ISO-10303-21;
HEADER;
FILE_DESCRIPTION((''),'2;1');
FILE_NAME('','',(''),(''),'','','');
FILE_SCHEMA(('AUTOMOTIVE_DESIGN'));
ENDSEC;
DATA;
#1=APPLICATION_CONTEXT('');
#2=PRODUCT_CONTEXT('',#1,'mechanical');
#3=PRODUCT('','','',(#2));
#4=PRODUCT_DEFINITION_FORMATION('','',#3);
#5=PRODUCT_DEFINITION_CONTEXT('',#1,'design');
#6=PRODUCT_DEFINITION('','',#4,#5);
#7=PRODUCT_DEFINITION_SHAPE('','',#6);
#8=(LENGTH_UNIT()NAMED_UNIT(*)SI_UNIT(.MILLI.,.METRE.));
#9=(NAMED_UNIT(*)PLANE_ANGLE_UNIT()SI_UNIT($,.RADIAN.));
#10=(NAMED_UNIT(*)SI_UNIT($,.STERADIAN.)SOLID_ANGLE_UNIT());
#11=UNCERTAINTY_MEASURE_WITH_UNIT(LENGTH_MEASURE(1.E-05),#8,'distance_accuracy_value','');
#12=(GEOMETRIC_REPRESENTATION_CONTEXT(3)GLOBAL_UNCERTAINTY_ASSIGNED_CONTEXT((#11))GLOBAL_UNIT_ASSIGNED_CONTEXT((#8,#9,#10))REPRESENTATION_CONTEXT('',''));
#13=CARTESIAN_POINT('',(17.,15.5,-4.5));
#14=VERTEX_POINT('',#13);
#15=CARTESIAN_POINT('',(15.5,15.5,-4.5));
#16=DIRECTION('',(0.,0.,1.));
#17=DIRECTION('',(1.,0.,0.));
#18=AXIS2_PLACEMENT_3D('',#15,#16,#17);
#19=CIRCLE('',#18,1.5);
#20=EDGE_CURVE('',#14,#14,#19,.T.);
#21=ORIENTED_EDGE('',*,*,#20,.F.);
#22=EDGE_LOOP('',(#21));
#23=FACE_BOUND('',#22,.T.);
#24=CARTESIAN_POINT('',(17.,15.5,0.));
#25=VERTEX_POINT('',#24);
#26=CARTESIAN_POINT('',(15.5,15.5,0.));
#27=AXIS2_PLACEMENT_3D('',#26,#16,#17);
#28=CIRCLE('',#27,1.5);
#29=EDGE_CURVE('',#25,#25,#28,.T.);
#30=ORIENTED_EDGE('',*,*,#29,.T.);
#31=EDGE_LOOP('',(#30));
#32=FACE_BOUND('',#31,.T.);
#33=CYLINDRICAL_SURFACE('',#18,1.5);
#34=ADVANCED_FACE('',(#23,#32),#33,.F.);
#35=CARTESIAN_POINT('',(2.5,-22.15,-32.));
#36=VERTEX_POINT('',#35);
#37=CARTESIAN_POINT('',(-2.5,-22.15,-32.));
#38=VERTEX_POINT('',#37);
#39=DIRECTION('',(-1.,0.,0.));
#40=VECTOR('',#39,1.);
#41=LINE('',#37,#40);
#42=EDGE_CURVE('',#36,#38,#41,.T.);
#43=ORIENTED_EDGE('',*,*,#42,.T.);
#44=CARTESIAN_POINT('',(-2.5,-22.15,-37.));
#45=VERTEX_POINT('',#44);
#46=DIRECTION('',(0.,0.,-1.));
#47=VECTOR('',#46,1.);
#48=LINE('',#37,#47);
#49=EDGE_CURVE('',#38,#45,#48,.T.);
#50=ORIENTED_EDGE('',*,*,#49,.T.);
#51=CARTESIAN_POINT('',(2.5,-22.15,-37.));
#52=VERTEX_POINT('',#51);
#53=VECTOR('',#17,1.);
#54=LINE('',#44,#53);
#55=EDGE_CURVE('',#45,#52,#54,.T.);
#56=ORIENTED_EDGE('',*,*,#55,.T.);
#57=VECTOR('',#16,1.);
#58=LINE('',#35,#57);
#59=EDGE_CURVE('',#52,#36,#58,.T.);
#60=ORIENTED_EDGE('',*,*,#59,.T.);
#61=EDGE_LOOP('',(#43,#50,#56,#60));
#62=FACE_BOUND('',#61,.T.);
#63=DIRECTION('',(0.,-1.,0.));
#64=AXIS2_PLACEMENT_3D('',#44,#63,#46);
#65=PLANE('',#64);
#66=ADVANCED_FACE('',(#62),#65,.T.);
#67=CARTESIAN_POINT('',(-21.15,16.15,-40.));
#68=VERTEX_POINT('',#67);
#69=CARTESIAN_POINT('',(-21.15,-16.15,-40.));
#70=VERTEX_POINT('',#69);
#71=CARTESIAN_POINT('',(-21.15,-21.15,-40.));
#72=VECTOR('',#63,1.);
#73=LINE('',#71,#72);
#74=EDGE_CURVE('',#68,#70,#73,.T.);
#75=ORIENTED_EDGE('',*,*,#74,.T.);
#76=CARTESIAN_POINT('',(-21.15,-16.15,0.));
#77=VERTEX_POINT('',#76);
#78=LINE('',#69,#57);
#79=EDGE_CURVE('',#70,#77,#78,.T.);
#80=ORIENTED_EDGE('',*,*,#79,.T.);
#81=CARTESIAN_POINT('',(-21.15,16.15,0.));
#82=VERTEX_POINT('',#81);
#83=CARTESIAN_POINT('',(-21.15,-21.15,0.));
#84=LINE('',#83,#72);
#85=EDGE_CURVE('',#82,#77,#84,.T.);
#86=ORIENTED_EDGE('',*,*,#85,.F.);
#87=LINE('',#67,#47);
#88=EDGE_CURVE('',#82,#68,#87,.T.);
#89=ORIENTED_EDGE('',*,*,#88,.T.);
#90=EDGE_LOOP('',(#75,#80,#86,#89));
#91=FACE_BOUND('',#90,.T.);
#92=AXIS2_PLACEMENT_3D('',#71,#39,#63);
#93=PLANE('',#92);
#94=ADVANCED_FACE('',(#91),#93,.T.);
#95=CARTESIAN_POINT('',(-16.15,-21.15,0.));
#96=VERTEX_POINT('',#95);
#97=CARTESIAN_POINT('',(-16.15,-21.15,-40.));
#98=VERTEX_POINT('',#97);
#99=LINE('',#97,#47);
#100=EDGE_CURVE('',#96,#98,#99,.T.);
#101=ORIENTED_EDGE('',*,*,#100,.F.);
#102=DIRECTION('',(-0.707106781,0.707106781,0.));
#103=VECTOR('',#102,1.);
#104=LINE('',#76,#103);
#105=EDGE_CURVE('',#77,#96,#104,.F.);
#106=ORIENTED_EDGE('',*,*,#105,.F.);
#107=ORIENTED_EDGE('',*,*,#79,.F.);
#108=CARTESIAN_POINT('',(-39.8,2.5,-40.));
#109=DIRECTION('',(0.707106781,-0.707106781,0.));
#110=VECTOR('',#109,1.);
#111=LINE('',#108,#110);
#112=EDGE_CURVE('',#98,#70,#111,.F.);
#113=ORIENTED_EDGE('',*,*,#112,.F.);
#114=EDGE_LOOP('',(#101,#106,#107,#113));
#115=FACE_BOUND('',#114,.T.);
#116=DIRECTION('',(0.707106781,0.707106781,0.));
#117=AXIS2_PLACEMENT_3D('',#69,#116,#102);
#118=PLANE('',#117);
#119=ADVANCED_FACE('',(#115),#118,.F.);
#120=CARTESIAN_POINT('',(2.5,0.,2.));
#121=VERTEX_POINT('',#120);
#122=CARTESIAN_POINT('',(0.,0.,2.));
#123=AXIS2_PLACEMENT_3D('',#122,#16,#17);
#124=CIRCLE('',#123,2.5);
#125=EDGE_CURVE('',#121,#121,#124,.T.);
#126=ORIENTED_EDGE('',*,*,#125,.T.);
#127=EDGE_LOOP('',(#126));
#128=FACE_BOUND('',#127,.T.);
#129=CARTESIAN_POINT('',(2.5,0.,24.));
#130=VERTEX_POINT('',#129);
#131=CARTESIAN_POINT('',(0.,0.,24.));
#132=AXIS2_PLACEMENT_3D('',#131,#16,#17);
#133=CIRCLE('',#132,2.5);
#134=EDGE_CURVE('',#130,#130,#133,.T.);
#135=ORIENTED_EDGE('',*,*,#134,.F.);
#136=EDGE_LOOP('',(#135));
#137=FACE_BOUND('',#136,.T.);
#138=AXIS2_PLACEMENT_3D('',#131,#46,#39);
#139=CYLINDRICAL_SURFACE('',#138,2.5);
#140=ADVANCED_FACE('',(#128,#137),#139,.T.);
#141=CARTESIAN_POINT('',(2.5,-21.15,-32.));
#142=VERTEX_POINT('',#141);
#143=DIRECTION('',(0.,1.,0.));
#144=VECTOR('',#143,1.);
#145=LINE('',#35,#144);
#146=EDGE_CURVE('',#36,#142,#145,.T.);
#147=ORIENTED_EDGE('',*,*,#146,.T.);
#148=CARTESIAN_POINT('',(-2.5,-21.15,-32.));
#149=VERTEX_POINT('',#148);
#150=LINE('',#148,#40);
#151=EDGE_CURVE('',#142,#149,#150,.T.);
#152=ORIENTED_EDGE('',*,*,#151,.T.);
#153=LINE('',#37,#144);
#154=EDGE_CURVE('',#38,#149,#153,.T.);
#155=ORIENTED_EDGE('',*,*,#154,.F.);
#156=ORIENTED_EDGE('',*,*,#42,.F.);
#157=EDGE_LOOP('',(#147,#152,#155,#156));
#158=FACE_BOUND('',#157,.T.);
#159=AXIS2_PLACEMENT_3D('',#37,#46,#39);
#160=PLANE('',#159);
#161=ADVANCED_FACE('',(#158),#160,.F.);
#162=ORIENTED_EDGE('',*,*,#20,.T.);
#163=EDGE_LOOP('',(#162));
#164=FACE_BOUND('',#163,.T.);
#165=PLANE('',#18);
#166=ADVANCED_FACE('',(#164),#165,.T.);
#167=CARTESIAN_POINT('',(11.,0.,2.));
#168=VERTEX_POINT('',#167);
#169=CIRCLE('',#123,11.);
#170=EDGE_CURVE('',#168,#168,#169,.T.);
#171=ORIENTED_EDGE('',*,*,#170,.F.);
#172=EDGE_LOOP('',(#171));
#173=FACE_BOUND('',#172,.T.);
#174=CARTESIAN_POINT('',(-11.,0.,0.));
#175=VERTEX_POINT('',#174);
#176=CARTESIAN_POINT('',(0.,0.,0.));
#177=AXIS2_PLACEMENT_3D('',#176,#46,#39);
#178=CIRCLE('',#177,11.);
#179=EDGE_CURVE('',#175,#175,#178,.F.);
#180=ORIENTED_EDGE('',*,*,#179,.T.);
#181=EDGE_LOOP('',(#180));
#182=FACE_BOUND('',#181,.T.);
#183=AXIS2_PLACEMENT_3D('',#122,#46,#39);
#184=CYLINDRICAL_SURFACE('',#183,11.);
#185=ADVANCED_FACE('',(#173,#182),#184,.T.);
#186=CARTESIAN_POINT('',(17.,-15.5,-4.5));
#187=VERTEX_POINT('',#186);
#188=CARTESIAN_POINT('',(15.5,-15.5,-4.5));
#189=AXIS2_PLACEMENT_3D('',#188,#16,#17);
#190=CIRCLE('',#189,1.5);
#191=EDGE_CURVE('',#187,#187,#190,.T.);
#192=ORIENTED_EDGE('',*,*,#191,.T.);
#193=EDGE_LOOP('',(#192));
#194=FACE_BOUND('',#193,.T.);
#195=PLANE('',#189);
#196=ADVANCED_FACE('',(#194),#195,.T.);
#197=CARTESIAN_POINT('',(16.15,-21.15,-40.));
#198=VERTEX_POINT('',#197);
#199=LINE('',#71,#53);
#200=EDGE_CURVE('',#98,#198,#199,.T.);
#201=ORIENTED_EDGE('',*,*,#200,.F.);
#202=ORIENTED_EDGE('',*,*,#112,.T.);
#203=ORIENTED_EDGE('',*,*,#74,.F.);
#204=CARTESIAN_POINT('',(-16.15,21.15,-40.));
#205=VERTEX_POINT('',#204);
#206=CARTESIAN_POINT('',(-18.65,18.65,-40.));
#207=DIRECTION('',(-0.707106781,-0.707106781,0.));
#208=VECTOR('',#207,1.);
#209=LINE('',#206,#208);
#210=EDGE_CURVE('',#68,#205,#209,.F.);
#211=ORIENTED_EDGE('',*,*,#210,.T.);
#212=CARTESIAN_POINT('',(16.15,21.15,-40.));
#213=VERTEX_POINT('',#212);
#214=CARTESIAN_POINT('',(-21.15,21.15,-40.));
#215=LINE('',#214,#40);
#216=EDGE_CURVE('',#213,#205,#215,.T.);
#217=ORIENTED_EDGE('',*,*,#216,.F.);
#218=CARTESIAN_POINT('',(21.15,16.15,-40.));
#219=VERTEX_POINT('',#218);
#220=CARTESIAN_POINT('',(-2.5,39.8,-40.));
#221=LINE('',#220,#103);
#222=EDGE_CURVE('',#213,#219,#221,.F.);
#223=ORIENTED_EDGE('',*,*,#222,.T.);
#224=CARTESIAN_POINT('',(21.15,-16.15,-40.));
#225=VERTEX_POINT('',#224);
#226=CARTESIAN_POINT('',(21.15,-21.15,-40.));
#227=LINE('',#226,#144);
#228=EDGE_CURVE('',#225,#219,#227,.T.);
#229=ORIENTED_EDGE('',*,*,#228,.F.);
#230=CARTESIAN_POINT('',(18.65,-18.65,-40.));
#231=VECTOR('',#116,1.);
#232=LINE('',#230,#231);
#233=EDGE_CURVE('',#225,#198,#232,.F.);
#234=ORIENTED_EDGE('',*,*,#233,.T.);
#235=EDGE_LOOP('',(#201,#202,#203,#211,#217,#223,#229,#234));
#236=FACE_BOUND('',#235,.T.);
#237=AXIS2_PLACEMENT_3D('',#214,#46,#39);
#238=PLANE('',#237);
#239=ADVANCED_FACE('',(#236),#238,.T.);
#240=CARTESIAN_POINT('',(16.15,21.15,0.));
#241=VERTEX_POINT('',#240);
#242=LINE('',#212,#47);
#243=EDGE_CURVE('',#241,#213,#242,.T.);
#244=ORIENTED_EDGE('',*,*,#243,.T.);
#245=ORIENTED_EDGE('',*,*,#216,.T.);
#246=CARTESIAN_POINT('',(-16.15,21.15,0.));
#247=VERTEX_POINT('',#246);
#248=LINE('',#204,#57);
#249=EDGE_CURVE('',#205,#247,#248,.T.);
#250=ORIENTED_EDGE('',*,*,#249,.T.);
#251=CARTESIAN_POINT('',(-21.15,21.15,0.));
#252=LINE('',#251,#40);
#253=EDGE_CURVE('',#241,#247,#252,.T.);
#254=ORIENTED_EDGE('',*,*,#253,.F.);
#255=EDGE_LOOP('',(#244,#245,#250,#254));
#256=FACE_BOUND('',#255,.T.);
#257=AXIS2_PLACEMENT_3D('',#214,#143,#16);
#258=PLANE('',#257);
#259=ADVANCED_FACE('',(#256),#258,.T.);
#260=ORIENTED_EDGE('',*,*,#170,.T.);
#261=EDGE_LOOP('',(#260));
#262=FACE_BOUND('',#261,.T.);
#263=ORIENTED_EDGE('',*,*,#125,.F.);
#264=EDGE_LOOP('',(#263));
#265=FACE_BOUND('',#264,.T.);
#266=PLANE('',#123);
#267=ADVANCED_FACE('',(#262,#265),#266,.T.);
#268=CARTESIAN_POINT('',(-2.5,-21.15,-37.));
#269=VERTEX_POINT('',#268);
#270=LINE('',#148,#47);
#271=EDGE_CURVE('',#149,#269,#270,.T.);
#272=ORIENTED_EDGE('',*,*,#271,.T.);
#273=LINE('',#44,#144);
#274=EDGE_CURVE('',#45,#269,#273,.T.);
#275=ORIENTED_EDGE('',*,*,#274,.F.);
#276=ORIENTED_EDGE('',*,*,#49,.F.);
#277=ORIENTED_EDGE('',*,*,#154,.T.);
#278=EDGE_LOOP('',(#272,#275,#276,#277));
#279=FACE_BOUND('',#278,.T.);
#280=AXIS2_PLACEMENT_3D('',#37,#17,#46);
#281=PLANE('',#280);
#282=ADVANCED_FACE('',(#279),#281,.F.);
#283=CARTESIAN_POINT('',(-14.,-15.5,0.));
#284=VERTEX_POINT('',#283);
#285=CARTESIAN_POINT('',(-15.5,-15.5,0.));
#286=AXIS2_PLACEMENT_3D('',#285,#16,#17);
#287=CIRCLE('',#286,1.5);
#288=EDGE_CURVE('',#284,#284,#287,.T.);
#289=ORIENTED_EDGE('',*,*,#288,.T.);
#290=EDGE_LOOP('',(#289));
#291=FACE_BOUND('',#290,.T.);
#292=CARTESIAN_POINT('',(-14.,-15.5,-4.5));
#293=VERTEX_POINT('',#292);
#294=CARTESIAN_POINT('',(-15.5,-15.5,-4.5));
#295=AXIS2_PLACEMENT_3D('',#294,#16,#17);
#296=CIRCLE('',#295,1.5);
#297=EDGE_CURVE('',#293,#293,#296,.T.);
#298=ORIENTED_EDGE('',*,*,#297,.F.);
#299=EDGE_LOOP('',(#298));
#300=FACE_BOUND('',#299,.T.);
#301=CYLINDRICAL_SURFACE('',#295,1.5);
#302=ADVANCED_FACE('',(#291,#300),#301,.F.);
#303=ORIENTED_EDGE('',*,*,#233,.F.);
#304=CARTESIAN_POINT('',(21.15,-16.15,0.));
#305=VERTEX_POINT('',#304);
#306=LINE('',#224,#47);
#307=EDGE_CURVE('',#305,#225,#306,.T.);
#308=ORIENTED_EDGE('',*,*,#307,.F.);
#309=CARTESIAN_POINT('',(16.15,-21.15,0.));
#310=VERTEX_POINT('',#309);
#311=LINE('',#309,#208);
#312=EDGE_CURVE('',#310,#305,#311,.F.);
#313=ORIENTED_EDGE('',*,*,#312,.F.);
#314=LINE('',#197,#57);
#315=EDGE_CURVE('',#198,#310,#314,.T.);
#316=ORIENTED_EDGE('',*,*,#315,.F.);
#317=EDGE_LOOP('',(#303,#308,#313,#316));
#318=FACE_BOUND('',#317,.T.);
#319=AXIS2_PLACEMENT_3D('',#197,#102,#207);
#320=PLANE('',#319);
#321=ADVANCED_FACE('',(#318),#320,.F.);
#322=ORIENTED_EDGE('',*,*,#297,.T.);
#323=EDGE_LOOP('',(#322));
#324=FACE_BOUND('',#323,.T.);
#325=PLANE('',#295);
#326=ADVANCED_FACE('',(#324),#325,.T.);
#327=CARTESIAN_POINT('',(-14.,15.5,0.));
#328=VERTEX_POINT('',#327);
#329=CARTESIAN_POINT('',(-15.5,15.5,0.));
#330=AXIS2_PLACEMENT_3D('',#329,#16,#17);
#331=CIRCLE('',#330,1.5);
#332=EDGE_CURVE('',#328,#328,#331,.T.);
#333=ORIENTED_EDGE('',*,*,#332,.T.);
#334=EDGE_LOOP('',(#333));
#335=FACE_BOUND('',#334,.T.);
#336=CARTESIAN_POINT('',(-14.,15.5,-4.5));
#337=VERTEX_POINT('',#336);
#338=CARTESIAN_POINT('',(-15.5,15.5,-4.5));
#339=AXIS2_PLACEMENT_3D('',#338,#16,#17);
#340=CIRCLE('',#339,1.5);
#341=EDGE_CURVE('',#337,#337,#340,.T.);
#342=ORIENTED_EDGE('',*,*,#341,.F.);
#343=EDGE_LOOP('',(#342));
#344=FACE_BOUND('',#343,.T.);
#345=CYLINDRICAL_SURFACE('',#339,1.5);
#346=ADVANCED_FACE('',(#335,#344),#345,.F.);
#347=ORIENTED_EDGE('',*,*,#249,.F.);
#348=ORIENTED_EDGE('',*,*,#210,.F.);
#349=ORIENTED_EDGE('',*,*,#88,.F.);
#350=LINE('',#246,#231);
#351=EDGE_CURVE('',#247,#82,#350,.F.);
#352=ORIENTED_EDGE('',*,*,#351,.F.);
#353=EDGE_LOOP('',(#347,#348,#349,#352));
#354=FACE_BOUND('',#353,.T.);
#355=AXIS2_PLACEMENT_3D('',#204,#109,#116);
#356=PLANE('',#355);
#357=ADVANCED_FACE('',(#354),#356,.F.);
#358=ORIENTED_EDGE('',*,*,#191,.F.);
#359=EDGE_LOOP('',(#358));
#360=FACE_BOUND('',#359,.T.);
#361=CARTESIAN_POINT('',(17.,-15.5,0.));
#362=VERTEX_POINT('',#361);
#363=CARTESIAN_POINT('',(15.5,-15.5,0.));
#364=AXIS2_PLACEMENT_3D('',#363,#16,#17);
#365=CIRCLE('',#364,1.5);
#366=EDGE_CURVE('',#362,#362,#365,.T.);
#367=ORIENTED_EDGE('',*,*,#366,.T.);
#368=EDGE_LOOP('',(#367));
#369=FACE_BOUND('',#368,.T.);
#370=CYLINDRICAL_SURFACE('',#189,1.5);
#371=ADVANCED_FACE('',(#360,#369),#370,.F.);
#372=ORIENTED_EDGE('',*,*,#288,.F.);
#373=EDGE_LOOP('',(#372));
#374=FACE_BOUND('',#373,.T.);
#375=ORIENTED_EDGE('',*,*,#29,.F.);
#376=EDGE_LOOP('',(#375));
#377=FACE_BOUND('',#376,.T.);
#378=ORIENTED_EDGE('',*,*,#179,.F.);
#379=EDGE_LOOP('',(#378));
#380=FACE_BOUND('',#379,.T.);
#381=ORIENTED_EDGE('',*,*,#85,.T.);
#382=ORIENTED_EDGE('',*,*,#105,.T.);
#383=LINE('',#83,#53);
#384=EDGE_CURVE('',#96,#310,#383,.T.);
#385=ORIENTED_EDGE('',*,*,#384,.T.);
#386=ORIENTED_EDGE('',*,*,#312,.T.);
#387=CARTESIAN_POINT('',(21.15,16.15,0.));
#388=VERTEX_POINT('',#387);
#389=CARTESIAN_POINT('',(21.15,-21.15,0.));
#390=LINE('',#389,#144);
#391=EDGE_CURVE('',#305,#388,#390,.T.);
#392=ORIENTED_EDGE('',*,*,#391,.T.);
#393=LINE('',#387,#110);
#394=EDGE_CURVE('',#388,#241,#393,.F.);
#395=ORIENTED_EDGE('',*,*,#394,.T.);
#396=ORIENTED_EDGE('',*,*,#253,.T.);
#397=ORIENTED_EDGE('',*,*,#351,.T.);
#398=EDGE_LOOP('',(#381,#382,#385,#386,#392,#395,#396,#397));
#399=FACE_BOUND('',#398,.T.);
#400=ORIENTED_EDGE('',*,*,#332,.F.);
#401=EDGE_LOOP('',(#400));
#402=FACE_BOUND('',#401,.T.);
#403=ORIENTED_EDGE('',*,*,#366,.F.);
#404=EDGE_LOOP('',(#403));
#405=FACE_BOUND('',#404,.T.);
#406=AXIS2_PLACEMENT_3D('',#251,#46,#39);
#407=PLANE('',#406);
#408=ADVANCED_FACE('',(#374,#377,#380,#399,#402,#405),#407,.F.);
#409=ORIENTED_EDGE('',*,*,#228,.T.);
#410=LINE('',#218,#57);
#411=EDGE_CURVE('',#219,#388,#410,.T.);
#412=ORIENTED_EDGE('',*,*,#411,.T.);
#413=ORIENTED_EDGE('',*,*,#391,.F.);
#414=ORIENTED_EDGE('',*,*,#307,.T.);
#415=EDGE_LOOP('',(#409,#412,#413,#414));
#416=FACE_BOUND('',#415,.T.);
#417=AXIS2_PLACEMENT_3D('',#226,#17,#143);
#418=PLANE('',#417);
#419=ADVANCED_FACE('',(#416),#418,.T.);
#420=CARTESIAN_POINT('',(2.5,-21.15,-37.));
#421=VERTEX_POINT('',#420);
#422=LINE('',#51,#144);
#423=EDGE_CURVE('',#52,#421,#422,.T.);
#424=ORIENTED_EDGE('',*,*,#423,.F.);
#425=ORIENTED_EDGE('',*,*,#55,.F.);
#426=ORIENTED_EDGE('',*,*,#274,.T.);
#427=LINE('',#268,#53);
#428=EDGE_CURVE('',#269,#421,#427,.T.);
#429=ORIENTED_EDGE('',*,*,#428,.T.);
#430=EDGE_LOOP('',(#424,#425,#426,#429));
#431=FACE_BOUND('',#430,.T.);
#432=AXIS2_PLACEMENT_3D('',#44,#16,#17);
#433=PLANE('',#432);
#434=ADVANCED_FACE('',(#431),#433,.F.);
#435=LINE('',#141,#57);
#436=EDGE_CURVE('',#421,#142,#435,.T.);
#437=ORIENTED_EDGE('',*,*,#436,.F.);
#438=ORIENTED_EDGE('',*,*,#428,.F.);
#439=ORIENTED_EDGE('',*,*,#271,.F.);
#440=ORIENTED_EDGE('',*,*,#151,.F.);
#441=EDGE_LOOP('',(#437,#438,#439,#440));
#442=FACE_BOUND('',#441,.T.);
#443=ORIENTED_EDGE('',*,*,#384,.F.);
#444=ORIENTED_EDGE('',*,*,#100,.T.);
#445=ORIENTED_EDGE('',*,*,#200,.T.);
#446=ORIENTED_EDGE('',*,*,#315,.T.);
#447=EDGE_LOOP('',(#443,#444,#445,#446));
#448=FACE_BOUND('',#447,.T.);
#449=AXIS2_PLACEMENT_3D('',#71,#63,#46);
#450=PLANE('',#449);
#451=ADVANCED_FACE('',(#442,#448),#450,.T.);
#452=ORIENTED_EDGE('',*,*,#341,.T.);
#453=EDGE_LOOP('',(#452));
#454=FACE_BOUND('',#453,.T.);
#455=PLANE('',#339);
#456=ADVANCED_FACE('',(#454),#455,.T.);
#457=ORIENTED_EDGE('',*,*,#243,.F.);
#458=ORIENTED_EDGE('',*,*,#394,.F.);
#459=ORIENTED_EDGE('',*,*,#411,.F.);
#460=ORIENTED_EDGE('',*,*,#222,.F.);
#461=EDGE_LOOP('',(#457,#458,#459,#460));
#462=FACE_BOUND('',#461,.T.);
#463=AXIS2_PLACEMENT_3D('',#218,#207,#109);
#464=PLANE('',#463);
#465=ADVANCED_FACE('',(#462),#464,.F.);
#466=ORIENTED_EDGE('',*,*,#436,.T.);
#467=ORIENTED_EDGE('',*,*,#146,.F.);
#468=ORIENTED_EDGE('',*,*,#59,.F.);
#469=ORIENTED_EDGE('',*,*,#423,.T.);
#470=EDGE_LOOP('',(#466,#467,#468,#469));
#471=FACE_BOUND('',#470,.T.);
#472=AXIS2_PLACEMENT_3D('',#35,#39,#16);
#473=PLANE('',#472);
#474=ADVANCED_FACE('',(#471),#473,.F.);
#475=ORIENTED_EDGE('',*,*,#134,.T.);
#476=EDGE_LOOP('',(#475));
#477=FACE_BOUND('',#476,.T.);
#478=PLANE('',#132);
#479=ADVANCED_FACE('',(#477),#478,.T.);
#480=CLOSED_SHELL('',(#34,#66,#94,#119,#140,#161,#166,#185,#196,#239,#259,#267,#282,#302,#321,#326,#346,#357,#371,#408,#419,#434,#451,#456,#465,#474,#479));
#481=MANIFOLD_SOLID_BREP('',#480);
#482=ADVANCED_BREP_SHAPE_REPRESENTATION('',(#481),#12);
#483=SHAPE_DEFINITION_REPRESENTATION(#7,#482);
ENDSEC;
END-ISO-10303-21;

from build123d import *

# Parameters (mm, degrees)
SKETCH1_W           = 42.3
SKETCH1_H           = 42.3
BOSS_EXTRUDE1_DEPTH = 40
SKETCH2_R           = 11
BOSS_EXTRUDE2_DEPTH = 2
SKETCH3_R           = 2.5
BOSS_EXTRUDE3_DEPTH = 22
SKETCH4_R           = 1.5
CUT_EXTRUDE1_DEPTH  = 4.5
CHAMFER1_SIZE       = 5
SKETCH5_W           = 5
SKETCH5_H           = 5
BOSS_EXTRUDE4_DEPTH = 1


with BuildPart() as part:
    # Sketch1 → Boss-Extrude1 (new body)
    with BuildSketch(Plane.XY):
        Rectangle(SKETCH1_W, SKETCH1_H)
    extrude(amount=-BOSS_EXTRUDE1_DEPTH)

    # Sketch2 → Boss-Extrude2 (add)
    with BuildSketch(Plane.XY):
        with Locations(Location((0, 0, 0), (0, 0, 180))):
            Circle(SKETCH2_R)
    extrude(amount=BOSS_EXTRUDE2_DEPTH)

    # Sketch3 → Boss-Extrude3 (add)
    with BuildSketch(Plane.XY.offset(2)):
        Circle(SKETCH3_R)
    extrude(amount=BOSS_EXTRUDE3_DEPTH)

    # Sketch4 → Cut-Extrude1 (cut)
    with BuildSketch(Plane.XY):
        with Locations((-15.5, 15.5)):
            Circle(SKETCH4_R)
        with Locations((15.5, 15.5)):
            Circle(SKETCH4_R)
        with Locations((15.5, -15.5)):
            Circle(SKETCH4_R)
        with Locations((-15.5, -15.5)):
            Circle(SKETCH4_R)
    extrude(amount=-CUT_EXTRUDE1_DEPTH, mode=Mode.SUBTRACT)

    # Chamfer1
    chamfer1_edges = [part.edges().sort_by_distance(p)[0] for p in [
        (-21.15, 21.15, -20),
        (21.15, 21.15, -20),
        (21.15, -21.15, -20),
        (-21.15, -21.15, -20),
    ]]
    chamfer(chamfer1_edges, length=CHAMFER1_SIZE)

    # Sketch5 → Boss-Extrude4 (add)
    with BuildSketch(Plane.XZ.offset(21.15)):
        with Locations((0, -34.5)):
            Rectangle(SKETCH5_W, SKETCH5_H)
    extrude(amount=BOSS_EXTRUDE4_DEPTH)


solid = part.part
